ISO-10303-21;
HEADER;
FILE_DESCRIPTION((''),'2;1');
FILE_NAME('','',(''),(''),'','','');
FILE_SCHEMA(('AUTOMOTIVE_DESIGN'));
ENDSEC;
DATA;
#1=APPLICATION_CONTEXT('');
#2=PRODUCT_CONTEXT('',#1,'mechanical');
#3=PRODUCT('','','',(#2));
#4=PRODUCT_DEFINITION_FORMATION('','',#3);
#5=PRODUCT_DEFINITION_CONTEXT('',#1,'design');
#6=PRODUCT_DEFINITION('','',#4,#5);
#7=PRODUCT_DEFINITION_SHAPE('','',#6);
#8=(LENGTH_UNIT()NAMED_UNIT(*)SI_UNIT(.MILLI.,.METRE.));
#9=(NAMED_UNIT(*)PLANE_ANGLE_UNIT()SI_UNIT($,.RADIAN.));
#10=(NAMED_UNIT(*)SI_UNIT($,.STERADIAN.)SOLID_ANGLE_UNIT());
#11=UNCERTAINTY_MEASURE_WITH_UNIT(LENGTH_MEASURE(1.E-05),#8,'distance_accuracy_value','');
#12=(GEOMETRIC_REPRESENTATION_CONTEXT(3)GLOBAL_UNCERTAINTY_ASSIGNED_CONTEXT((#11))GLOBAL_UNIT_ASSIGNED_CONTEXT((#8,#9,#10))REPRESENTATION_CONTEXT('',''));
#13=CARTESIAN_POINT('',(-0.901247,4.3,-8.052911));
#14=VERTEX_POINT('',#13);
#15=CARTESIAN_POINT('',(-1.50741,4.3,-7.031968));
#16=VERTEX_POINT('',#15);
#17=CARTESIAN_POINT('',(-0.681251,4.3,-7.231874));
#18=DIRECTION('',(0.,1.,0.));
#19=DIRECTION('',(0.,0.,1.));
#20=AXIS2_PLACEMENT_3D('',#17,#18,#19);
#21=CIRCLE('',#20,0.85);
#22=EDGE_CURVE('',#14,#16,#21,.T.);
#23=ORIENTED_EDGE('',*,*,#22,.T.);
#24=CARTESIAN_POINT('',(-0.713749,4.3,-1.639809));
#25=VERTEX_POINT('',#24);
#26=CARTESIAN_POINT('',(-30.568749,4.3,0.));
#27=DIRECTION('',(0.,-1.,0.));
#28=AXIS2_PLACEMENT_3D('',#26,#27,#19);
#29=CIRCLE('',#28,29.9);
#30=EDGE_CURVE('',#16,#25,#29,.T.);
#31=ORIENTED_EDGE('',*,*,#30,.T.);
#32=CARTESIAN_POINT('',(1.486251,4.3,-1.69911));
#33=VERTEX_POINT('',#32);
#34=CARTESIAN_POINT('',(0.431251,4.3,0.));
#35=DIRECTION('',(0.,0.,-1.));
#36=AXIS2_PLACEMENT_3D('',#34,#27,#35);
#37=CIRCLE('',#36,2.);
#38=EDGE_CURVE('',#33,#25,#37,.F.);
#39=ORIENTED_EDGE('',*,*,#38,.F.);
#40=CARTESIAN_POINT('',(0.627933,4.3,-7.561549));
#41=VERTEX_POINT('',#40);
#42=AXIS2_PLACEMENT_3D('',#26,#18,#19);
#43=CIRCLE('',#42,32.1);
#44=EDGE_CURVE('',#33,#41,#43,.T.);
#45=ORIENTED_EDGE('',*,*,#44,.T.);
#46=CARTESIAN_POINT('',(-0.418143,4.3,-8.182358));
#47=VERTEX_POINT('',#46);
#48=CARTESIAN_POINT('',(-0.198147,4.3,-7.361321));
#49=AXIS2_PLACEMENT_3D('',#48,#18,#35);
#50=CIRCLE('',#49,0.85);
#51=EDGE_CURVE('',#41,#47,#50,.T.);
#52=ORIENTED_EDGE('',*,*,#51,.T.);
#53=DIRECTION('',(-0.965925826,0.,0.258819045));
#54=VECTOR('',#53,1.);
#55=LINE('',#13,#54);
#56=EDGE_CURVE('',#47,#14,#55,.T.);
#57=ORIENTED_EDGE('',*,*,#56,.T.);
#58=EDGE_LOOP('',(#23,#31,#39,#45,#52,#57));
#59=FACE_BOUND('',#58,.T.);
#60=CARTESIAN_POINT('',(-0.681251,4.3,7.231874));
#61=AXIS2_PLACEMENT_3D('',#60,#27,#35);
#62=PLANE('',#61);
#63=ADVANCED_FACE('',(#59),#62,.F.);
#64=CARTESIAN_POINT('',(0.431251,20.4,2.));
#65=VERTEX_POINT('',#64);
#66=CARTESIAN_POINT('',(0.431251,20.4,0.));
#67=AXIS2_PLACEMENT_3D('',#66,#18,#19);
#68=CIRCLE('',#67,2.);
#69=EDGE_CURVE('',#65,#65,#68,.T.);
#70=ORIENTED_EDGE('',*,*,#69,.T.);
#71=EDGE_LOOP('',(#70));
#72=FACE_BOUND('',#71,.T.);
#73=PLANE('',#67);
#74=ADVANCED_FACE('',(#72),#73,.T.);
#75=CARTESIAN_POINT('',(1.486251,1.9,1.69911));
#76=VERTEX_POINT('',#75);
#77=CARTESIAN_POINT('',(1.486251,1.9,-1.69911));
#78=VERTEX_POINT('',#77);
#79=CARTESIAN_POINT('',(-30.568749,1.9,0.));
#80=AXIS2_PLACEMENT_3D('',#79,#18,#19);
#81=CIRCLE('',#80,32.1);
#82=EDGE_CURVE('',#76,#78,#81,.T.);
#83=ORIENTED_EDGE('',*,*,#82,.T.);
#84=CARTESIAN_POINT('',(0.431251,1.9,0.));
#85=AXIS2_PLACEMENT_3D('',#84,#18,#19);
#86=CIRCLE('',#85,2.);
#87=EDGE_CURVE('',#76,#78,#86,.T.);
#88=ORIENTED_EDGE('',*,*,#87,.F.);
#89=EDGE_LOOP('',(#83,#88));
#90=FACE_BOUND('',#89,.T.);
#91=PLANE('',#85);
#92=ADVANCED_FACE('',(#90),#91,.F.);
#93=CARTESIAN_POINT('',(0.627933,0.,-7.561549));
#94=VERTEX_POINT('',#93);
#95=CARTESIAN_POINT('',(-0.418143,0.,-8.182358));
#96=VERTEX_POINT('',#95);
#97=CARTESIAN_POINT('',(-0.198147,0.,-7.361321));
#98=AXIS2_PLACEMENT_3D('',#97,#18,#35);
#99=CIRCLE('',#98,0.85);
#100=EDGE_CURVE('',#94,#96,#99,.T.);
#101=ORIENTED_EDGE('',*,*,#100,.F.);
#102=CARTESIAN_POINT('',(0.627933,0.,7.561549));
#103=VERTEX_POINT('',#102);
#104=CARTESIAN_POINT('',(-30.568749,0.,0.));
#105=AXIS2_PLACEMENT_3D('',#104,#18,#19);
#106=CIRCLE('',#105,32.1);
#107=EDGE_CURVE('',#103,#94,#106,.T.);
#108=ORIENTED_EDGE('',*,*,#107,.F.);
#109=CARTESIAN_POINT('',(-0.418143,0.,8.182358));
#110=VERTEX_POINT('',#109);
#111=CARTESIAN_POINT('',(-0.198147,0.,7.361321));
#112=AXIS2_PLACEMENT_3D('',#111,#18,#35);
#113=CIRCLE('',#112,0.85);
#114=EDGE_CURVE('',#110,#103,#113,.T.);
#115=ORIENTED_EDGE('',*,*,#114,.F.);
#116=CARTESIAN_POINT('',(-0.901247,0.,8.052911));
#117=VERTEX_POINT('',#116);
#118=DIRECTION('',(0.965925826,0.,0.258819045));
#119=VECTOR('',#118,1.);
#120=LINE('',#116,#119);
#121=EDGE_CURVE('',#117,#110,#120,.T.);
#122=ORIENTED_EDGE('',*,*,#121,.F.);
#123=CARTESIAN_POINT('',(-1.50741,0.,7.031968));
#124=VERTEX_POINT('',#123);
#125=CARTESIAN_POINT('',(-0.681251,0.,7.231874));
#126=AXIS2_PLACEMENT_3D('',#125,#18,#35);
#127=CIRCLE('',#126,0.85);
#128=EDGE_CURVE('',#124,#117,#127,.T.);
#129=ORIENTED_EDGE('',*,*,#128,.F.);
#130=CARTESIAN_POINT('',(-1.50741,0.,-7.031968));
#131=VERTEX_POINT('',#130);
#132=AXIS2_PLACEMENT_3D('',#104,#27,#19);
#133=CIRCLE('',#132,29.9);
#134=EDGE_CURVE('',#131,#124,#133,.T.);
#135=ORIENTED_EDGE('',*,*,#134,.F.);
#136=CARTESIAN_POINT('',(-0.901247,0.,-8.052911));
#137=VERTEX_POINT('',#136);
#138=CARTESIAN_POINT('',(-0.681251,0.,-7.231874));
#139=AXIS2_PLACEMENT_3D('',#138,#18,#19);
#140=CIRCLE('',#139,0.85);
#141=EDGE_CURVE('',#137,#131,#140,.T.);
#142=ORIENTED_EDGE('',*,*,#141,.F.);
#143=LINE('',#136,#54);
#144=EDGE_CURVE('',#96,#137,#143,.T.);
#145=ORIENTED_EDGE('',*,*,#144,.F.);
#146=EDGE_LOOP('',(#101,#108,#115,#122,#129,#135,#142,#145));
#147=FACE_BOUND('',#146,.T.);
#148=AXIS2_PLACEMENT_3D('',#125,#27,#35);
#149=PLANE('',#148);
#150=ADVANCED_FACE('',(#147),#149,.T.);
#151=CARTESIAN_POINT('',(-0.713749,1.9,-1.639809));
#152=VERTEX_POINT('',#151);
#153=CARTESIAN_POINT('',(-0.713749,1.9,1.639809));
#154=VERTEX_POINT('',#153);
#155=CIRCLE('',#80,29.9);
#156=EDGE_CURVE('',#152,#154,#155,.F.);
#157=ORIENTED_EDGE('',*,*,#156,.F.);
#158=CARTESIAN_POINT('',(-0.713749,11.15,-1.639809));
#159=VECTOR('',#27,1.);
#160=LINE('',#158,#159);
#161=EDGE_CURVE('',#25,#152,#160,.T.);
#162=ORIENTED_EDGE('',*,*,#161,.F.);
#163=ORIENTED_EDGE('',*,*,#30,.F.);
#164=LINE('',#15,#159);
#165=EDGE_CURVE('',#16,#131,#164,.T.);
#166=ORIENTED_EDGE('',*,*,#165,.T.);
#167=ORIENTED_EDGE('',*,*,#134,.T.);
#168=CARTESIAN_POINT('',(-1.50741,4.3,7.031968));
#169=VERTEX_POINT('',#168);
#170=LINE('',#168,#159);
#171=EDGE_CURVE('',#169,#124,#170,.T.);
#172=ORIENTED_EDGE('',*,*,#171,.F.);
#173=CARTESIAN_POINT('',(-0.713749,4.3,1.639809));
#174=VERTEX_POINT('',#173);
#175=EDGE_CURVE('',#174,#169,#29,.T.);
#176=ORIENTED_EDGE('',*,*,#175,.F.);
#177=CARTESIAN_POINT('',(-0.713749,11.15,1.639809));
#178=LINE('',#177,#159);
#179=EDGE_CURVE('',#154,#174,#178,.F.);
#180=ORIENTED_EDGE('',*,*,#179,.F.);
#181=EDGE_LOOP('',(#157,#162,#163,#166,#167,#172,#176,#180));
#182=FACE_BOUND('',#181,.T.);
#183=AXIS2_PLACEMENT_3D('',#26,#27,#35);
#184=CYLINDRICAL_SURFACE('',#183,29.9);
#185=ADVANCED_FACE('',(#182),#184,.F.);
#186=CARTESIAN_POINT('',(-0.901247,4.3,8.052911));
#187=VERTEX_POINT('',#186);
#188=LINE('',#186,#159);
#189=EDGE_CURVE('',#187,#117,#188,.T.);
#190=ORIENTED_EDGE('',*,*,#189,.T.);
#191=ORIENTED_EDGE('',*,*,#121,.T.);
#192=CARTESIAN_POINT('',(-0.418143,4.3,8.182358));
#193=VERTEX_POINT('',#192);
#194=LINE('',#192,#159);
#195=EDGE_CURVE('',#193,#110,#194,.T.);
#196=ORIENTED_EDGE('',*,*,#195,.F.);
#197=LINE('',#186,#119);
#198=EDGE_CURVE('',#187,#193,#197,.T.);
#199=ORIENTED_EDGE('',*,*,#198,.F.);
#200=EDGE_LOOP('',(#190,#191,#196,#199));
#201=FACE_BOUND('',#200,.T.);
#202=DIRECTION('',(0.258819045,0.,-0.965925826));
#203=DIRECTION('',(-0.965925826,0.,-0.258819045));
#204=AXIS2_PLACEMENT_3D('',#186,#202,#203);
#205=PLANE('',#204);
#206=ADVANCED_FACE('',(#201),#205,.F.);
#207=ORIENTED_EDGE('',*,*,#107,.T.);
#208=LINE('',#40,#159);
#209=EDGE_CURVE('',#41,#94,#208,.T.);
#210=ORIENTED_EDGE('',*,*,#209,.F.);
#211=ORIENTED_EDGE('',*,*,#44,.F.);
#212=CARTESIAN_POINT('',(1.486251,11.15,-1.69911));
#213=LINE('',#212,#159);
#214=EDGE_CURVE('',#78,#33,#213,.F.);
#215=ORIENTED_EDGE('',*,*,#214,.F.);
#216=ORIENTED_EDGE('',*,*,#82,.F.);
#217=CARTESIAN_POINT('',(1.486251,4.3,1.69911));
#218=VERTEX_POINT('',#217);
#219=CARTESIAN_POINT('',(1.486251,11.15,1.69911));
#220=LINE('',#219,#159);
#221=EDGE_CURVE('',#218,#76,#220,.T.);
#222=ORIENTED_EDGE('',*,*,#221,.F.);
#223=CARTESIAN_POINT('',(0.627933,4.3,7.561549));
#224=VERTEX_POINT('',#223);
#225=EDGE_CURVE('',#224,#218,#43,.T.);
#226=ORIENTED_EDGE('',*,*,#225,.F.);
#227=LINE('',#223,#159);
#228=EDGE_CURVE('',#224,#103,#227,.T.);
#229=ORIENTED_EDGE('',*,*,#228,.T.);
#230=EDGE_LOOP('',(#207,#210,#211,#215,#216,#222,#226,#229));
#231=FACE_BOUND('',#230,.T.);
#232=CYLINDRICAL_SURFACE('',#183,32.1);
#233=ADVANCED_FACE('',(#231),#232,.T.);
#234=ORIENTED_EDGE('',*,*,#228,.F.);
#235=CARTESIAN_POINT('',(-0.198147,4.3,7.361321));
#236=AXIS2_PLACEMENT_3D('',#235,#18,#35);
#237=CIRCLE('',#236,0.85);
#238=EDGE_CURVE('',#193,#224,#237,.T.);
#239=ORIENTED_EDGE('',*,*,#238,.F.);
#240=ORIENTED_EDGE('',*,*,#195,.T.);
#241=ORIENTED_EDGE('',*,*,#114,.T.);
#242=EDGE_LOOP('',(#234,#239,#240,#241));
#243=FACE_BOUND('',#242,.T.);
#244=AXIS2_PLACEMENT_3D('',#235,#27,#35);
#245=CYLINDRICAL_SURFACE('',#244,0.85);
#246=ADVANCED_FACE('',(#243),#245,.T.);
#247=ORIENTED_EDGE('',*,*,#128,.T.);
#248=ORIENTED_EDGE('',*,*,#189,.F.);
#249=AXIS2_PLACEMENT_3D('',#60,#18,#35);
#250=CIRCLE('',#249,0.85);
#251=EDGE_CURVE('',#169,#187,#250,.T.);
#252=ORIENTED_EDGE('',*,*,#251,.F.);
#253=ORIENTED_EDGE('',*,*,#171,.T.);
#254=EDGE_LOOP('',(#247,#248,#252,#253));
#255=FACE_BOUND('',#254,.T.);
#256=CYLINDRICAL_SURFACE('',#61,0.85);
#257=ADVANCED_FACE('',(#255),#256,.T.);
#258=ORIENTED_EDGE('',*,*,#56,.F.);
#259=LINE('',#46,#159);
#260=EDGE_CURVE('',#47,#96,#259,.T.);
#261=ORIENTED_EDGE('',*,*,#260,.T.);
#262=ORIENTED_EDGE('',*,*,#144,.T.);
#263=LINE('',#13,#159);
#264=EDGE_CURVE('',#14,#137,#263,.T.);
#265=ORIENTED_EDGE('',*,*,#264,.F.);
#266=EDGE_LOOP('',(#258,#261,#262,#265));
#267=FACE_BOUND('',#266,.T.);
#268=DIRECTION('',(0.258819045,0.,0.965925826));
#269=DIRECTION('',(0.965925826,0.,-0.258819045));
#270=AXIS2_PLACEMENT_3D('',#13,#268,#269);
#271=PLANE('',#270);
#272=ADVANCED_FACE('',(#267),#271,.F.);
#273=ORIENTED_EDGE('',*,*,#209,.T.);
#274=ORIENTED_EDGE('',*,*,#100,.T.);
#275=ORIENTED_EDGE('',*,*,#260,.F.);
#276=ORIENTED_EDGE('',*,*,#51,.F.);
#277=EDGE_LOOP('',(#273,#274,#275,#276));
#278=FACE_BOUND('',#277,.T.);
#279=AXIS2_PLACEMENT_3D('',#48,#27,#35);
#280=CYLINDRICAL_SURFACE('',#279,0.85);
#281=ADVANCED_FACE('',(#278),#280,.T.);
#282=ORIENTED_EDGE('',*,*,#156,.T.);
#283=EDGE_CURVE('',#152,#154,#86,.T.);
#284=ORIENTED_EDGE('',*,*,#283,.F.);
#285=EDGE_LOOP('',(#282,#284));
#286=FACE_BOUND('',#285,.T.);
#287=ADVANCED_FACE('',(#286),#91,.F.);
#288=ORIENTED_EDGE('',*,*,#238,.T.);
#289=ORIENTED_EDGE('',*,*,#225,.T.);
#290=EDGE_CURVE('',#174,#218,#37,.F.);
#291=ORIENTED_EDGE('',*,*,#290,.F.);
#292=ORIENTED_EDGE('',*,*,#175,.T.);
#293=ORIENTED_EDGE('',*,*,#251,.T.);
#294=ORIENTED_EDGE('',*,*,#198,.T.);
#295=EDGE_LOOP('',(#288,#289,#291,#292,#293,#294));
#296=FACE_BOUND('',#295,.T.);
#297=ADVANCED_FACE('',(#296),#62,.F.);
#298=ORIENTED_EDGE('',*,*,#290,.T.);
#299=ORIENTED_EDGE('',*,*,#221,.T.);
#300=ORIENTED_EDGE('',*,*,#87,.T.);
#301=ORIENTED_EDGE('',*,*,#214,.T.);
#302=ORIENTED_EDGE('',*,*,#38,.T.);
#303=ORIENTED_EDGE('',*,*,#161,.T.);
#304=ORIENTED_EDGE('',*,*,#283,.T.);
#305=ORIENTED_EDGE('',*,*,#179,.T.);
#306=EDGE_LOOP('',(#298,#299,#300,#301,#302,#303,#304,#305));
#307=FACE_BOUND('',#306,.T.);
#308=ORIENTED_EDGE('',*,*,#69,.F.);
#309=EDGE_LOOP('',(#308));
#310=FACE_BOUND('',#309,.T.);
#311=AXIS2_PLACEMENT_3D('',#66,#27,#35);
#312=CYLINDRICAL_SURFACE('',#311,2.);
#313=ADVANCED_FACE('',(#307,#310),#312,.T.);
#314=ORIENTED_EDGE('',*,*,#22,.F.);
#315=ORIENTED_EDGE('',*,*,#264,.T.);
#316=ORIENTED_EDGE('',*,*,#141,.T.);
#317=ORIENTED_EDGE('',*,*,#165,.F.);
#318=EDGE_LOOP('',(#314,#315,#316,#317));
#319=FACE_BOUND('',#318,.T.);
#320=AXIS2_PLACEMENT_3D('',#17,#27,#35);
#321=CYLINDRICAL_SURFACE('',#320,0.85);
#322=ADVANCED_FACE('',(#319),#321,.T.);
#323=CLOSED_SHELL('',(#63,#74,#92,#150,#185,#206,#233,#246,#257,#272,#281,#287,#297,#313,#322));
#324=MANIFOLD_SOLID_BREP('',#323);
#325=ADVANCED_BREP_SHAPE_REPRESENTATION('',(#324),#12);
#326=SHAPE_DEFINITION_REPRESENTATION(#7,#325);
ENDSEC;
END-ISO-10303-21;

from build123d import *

# Parameters (mm, degrees)
EXTRUDE_1_DEPTH = 4.3
SKETCH_2_R      = 2
EXTRUDE_2_DEPTH = 18.5


with BuildPart() as part:
    # Эскиз1 → Бобышка-Вытянуть1 (new body)
    with BuildSketch(Plane(origin=(0, 0, 0), x_dir=(1, 0, 0), z_dir=(0, 1, 0))):
        with BuildLine():
            Line((-0.901247468, -8.05291062), (-0.418143138, -8.182358035))
            ThreePointArc((-0.418143138, -8.182358035), (0.23565654, -8.092289298), (0.627933419, -7.561549016))
            ThreePointArc((0.627933419, -7.561549016), (1.53125128, 0), (0.627933419, 7.561549016))
            ThreePointArc((0.627933419, 7.561549016), (0.23565654, 8.092289298), (-0.418143138, 8.182358035))
            Line((-0.418143138, 8.182358035), (-0.901247468, 8.05291062))
            ThreePointArc((-0.901247468, 8.05291062), (-1.412134812, 7.665819819), (-1.507409746, 7.031968217))
            ThreePointArc((-1.507409746, 7.031968217), (-0.66874872, 0), (-1.507409746, -7.031968217))
            ThreePointArc((-1.507409746, -7.031968217), (-1.412134812, -7.665819819), (-0.901247468, -8.05291062))
        make_face()
    extrude(amount=EXTRUDE_1_DEPTH)

    # Эскиз2 → Бобышка-Вытянуть2 (add)
    with BuildSketch(Plane(origin=(0, 1.9, 0), x_dir=(1, 0, 0), z_dir=(0, 1, 0))):
        with Locations(Location((0.43125128, 0, 0), (0, 0, 58.163304996))):
            Circle(SKETCH_2_R)
    extrude(amount=EXTRUDE_2_DEPTH)


solid = part.part
